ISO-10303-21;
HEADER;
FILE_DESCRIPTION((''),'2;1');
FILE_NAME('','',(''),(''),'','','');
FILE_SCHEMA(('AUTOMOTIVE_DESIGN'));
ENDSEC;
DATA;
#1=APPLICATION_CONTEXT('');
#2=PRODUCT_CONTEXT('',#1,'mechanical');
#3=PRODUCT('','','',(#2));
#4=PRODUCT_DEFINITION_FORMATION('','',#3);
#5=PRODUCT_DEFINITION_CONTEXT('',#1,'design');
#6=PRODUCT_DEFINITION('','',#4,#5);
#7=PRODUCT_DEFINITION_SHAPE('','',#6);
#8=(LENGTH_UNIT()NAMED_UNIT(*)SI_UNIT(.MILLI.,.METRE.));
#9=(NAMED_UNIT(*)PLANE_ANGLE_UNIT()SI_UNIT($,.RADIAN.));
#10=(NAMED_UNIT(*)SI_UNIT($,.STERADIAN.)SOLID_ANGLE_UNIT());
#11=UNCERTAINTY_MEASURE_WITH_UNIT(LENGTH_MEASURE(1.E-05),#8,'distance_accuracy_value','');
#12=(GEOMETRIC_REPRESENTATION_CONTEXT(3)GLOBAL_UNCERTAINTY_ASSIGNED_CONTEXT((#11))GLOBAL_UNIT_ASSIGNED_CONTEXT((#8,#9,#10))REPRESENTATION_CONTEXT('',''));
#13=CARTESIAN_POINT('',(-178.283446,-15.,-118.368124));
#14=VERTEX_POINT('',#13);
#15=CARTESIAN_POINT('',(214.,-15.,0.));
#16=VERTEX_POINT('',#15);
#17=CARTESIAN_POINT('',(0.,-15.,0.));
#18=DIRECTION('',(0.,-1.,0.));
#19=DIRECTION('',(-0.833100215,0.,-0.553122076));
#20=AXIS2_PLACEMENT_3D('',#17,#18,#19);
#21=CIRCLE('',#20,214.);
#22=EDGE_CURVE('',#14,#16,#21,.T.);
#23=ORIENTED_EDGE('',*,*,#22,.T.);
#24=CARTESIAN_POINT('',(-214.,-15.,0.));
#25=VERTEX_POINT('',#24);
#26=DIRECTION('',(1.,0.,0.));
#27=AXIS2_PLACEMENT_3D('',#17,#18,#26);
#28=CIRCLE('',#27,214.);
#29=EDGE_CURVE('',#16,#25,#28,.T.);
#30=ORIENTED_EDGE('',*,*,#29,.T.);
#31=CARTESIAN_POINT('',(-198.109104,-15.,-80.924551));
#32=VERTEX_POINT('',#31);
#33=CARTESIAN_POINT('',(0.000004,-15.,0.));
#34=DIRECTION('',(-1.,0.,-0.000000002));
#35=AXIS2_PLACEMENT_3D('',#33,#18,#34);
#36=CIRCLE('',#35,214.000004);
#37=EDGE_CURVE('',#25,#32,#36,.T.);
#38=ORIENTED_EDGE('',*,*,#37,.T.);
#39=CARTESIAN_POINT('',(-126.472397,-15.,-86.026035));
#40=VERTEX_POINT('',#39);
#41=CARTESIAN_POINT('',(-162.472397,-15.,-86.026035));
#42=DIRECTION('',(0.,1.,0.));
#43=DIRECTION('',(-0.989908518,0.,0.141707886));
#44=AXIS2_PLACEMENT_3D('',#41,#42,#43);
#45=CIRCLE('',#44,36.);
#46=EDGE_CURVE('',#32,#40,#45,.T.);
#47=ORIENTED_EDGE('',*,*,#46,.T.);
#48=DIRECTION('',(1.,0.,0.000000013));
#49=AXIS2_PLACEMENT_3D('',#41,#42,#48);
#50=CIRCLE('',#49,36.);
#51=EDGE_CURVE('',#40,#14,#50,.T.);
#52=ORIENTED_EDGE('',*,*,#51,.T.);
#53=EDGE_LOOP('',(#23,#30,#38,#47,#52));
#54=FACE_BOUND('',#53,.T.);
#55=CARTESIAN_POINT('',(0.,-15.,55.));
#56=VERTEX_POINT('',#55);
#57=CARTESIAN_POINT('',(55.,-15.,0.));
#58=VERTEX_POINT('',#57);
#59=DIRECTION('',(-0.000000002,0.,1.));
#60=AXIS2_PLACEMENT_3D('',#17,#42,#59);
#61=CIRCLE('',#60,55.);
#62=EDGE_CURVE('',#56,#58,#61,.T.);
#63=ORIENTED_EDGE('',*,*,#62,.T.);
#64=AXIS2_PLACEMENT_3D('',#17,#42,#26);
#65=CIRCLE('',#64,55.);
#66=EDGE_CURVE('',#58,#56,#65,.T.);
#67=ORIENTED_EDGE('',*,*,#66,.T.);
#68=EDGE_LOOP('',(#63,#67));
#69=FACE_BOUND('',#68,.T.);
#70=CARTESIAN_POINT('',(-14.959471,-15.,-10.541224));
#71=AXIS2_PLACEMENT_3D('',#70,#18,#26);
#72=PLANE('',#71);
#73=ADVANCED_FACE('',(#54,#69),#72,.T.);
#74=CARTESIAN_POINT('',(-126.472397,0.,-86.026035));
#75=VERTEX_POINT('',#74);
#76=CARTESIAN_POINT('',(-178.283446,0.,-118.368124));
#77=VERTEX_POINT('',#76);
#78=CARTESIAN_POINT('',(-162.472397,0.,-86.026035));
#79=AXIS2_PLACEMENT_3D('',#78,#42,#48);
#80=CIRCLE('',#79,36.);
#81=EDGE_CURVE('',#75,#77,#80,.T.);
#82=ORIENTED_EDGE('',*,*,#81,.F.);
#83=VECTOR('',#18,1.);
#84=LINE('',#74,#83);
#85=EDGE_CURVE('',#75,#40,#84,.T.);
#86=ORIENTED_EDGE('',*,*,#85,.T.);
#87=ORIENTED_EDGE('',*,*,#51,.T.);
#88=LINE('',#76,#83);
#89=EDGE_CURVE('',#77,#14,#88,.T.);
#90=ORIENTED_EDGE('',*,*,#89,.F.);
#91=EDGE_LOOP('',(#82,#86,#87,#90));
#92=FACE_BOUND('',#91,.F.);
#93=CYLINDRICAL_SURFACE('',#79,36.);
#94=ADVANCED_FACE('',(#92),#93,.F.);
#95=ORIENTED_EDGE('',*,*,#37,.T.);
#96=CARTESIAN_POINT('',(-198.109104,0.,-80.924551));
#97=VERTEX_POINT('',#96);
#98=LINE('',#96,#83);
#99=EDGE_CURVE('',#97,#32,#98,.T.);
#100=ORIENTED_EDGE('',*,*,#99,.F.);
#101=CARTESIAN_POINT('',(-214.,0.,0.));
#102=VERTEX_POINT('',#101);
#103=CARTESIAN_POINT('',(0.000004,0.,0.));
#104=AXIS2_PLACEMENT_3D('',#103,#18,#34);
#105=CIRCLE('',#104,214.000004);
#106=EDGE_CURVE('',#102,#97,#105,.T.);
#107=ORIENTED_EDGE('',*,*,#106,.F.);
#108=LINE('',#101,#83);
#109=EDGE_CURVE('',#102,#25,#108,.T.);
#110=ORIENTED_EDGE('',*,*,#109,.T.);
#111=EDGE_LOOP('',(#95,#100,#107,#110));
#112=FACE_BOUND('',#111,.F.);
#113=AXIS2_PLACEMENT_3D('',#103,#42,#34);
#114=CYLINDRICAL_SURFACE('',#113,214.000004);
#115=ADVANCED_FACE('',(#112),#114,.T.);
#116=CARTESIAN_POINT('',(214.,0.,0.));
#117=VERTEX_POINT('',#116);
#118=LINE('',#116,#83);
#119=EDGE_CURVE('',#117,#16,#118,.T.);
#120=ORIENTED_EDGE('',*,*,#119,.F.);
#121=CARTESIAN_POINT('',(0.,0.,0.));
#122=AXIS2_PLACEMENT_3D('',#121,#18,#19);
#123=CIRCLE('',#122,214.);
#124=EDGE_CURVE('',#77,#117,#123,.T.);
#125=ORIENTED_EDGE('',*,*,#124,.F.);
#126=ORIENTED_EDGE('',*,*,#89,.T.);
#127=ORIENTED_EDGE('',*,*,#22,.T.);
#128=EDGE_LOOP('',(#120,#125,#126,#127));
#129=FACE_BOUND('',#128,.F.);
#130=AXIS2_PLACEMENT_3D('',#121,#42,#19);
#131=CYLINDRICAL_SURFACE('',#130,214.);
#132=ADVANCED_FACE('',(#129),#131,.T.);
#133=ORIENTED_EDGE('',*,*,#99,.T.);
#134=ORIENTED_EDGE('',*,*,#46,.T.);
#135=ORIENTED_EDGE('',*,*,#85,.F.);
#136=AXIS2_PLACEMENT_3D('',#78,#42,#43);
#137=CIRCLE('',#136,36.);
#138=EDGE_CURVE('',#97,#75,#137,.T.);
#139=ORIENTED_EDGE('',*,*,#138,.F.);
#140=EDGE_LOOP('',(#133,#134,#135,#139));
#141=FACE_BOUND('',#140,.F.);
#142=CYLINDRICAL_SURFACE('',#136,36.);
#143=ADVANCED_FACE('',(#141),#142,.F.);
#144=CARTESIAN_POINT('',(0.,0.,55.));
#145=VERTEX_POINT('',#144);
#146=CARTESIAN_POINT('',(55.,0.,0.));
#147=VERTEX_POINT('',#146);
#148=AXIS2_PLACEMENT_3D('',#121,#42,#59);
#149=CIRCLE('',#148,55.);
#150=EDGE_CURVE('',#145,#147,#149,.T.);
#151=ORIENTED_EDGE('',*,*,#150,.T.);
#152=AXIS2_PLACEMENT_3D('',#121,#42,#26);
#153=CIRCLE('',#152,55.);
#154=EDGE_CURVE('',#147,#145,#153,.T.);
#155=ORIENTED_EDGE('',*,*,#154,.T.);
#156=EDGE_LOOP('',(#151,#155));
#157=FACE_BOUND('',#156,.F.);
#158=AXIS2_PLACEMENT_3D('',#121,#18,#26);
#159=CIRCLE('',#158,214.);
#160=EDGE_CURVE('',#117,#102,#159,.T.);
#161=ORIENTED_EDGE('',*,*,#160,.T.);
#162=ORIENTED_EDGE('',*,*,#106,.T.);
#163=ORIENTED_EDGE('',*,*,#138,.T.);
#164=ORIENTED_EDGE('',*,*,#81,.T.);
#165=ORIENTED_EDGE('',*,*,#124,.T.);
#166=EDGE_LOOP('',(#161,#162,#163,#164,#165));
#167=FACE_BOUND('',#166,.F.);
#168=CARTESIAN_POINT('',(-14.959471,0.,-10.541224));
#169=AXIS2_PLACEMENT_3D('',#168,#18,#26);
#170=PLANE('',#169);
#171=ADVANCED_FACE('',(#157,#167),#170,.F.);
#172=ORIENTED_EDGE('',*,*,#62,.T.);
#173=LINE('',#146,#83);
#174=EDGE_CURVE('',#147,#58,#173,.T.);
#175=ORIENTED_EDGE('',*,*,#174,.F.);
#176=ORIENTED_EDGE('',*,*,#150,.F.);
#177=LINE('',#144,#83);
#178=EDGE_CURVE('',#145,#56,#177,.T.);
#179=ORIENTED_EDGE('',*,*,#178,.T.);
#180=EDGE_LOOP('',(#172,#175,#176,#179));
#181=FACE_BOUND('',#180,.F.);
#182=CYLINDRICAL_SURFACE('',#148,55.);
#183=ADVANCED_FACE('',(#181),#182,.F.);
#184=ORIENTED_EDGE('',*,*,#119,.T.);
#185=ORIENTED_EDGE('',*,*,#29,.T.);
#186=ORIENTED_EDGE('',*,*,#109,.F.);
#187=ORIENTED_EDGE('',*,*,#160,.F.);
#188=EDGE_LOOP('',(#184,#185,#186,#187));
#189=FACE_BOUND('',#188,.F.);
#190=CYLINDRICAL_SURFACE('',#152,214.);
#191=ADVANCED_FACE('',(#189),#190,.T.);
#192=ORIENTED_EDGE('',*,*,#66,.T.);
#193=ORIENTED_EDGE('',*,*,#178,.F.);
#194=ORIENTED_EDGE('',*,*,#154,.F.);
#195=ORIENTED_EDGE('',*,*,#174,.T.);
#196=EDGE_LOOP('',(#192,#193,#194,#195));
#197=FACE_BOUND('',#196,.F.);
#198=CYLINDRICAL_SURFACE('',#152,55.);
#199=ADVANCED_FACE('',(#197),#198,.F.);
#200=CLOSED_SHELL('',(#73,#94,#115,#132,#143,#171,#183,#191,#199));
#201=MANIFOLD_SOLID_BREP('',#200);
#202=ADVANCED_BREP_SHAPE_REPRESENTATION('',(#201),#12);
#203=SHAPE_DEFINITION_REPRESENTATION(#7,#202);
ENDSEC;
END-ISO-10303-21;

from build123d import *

# Parameters (mm, degrees)
F1_DEPTH = 15


with BuildPart() as f1:
    # F0 (on Front) → F1 (new body)
    with BuildSketch(Plane.XZ):
        with BuildLine():
            ThreePointArc((-178.283446, -118.368124), (61.819667, -204.876374), (214, 0))
            ThreePointArc((214, 0), (0, 214), (-214, 0))
            ThreePointArc((-214, 0), (-209.9897, -41.235008), (-198.109104, -80.924551))
            ThreePointArc((-198.109104, -80.924551), (-159.915195, -50.116973), (-126.472397, -86.026035))
            ThreePointArc((-126.472397, -86.026035), (-143.409314, -116.564517), (-178.283446, -118.368124))
        make_face()
        with BuildLine():
            ThreePointArc((0, 55), (38.890873, 38.890873), (55, 0))
            ThreePointArc((55, 0), (-38.890873, -38.890873), (0, 55))
        make_face(mode=Mode.SUBTRACT)
    extrude(amount=F1_DEPTH)


solid = f1.part
